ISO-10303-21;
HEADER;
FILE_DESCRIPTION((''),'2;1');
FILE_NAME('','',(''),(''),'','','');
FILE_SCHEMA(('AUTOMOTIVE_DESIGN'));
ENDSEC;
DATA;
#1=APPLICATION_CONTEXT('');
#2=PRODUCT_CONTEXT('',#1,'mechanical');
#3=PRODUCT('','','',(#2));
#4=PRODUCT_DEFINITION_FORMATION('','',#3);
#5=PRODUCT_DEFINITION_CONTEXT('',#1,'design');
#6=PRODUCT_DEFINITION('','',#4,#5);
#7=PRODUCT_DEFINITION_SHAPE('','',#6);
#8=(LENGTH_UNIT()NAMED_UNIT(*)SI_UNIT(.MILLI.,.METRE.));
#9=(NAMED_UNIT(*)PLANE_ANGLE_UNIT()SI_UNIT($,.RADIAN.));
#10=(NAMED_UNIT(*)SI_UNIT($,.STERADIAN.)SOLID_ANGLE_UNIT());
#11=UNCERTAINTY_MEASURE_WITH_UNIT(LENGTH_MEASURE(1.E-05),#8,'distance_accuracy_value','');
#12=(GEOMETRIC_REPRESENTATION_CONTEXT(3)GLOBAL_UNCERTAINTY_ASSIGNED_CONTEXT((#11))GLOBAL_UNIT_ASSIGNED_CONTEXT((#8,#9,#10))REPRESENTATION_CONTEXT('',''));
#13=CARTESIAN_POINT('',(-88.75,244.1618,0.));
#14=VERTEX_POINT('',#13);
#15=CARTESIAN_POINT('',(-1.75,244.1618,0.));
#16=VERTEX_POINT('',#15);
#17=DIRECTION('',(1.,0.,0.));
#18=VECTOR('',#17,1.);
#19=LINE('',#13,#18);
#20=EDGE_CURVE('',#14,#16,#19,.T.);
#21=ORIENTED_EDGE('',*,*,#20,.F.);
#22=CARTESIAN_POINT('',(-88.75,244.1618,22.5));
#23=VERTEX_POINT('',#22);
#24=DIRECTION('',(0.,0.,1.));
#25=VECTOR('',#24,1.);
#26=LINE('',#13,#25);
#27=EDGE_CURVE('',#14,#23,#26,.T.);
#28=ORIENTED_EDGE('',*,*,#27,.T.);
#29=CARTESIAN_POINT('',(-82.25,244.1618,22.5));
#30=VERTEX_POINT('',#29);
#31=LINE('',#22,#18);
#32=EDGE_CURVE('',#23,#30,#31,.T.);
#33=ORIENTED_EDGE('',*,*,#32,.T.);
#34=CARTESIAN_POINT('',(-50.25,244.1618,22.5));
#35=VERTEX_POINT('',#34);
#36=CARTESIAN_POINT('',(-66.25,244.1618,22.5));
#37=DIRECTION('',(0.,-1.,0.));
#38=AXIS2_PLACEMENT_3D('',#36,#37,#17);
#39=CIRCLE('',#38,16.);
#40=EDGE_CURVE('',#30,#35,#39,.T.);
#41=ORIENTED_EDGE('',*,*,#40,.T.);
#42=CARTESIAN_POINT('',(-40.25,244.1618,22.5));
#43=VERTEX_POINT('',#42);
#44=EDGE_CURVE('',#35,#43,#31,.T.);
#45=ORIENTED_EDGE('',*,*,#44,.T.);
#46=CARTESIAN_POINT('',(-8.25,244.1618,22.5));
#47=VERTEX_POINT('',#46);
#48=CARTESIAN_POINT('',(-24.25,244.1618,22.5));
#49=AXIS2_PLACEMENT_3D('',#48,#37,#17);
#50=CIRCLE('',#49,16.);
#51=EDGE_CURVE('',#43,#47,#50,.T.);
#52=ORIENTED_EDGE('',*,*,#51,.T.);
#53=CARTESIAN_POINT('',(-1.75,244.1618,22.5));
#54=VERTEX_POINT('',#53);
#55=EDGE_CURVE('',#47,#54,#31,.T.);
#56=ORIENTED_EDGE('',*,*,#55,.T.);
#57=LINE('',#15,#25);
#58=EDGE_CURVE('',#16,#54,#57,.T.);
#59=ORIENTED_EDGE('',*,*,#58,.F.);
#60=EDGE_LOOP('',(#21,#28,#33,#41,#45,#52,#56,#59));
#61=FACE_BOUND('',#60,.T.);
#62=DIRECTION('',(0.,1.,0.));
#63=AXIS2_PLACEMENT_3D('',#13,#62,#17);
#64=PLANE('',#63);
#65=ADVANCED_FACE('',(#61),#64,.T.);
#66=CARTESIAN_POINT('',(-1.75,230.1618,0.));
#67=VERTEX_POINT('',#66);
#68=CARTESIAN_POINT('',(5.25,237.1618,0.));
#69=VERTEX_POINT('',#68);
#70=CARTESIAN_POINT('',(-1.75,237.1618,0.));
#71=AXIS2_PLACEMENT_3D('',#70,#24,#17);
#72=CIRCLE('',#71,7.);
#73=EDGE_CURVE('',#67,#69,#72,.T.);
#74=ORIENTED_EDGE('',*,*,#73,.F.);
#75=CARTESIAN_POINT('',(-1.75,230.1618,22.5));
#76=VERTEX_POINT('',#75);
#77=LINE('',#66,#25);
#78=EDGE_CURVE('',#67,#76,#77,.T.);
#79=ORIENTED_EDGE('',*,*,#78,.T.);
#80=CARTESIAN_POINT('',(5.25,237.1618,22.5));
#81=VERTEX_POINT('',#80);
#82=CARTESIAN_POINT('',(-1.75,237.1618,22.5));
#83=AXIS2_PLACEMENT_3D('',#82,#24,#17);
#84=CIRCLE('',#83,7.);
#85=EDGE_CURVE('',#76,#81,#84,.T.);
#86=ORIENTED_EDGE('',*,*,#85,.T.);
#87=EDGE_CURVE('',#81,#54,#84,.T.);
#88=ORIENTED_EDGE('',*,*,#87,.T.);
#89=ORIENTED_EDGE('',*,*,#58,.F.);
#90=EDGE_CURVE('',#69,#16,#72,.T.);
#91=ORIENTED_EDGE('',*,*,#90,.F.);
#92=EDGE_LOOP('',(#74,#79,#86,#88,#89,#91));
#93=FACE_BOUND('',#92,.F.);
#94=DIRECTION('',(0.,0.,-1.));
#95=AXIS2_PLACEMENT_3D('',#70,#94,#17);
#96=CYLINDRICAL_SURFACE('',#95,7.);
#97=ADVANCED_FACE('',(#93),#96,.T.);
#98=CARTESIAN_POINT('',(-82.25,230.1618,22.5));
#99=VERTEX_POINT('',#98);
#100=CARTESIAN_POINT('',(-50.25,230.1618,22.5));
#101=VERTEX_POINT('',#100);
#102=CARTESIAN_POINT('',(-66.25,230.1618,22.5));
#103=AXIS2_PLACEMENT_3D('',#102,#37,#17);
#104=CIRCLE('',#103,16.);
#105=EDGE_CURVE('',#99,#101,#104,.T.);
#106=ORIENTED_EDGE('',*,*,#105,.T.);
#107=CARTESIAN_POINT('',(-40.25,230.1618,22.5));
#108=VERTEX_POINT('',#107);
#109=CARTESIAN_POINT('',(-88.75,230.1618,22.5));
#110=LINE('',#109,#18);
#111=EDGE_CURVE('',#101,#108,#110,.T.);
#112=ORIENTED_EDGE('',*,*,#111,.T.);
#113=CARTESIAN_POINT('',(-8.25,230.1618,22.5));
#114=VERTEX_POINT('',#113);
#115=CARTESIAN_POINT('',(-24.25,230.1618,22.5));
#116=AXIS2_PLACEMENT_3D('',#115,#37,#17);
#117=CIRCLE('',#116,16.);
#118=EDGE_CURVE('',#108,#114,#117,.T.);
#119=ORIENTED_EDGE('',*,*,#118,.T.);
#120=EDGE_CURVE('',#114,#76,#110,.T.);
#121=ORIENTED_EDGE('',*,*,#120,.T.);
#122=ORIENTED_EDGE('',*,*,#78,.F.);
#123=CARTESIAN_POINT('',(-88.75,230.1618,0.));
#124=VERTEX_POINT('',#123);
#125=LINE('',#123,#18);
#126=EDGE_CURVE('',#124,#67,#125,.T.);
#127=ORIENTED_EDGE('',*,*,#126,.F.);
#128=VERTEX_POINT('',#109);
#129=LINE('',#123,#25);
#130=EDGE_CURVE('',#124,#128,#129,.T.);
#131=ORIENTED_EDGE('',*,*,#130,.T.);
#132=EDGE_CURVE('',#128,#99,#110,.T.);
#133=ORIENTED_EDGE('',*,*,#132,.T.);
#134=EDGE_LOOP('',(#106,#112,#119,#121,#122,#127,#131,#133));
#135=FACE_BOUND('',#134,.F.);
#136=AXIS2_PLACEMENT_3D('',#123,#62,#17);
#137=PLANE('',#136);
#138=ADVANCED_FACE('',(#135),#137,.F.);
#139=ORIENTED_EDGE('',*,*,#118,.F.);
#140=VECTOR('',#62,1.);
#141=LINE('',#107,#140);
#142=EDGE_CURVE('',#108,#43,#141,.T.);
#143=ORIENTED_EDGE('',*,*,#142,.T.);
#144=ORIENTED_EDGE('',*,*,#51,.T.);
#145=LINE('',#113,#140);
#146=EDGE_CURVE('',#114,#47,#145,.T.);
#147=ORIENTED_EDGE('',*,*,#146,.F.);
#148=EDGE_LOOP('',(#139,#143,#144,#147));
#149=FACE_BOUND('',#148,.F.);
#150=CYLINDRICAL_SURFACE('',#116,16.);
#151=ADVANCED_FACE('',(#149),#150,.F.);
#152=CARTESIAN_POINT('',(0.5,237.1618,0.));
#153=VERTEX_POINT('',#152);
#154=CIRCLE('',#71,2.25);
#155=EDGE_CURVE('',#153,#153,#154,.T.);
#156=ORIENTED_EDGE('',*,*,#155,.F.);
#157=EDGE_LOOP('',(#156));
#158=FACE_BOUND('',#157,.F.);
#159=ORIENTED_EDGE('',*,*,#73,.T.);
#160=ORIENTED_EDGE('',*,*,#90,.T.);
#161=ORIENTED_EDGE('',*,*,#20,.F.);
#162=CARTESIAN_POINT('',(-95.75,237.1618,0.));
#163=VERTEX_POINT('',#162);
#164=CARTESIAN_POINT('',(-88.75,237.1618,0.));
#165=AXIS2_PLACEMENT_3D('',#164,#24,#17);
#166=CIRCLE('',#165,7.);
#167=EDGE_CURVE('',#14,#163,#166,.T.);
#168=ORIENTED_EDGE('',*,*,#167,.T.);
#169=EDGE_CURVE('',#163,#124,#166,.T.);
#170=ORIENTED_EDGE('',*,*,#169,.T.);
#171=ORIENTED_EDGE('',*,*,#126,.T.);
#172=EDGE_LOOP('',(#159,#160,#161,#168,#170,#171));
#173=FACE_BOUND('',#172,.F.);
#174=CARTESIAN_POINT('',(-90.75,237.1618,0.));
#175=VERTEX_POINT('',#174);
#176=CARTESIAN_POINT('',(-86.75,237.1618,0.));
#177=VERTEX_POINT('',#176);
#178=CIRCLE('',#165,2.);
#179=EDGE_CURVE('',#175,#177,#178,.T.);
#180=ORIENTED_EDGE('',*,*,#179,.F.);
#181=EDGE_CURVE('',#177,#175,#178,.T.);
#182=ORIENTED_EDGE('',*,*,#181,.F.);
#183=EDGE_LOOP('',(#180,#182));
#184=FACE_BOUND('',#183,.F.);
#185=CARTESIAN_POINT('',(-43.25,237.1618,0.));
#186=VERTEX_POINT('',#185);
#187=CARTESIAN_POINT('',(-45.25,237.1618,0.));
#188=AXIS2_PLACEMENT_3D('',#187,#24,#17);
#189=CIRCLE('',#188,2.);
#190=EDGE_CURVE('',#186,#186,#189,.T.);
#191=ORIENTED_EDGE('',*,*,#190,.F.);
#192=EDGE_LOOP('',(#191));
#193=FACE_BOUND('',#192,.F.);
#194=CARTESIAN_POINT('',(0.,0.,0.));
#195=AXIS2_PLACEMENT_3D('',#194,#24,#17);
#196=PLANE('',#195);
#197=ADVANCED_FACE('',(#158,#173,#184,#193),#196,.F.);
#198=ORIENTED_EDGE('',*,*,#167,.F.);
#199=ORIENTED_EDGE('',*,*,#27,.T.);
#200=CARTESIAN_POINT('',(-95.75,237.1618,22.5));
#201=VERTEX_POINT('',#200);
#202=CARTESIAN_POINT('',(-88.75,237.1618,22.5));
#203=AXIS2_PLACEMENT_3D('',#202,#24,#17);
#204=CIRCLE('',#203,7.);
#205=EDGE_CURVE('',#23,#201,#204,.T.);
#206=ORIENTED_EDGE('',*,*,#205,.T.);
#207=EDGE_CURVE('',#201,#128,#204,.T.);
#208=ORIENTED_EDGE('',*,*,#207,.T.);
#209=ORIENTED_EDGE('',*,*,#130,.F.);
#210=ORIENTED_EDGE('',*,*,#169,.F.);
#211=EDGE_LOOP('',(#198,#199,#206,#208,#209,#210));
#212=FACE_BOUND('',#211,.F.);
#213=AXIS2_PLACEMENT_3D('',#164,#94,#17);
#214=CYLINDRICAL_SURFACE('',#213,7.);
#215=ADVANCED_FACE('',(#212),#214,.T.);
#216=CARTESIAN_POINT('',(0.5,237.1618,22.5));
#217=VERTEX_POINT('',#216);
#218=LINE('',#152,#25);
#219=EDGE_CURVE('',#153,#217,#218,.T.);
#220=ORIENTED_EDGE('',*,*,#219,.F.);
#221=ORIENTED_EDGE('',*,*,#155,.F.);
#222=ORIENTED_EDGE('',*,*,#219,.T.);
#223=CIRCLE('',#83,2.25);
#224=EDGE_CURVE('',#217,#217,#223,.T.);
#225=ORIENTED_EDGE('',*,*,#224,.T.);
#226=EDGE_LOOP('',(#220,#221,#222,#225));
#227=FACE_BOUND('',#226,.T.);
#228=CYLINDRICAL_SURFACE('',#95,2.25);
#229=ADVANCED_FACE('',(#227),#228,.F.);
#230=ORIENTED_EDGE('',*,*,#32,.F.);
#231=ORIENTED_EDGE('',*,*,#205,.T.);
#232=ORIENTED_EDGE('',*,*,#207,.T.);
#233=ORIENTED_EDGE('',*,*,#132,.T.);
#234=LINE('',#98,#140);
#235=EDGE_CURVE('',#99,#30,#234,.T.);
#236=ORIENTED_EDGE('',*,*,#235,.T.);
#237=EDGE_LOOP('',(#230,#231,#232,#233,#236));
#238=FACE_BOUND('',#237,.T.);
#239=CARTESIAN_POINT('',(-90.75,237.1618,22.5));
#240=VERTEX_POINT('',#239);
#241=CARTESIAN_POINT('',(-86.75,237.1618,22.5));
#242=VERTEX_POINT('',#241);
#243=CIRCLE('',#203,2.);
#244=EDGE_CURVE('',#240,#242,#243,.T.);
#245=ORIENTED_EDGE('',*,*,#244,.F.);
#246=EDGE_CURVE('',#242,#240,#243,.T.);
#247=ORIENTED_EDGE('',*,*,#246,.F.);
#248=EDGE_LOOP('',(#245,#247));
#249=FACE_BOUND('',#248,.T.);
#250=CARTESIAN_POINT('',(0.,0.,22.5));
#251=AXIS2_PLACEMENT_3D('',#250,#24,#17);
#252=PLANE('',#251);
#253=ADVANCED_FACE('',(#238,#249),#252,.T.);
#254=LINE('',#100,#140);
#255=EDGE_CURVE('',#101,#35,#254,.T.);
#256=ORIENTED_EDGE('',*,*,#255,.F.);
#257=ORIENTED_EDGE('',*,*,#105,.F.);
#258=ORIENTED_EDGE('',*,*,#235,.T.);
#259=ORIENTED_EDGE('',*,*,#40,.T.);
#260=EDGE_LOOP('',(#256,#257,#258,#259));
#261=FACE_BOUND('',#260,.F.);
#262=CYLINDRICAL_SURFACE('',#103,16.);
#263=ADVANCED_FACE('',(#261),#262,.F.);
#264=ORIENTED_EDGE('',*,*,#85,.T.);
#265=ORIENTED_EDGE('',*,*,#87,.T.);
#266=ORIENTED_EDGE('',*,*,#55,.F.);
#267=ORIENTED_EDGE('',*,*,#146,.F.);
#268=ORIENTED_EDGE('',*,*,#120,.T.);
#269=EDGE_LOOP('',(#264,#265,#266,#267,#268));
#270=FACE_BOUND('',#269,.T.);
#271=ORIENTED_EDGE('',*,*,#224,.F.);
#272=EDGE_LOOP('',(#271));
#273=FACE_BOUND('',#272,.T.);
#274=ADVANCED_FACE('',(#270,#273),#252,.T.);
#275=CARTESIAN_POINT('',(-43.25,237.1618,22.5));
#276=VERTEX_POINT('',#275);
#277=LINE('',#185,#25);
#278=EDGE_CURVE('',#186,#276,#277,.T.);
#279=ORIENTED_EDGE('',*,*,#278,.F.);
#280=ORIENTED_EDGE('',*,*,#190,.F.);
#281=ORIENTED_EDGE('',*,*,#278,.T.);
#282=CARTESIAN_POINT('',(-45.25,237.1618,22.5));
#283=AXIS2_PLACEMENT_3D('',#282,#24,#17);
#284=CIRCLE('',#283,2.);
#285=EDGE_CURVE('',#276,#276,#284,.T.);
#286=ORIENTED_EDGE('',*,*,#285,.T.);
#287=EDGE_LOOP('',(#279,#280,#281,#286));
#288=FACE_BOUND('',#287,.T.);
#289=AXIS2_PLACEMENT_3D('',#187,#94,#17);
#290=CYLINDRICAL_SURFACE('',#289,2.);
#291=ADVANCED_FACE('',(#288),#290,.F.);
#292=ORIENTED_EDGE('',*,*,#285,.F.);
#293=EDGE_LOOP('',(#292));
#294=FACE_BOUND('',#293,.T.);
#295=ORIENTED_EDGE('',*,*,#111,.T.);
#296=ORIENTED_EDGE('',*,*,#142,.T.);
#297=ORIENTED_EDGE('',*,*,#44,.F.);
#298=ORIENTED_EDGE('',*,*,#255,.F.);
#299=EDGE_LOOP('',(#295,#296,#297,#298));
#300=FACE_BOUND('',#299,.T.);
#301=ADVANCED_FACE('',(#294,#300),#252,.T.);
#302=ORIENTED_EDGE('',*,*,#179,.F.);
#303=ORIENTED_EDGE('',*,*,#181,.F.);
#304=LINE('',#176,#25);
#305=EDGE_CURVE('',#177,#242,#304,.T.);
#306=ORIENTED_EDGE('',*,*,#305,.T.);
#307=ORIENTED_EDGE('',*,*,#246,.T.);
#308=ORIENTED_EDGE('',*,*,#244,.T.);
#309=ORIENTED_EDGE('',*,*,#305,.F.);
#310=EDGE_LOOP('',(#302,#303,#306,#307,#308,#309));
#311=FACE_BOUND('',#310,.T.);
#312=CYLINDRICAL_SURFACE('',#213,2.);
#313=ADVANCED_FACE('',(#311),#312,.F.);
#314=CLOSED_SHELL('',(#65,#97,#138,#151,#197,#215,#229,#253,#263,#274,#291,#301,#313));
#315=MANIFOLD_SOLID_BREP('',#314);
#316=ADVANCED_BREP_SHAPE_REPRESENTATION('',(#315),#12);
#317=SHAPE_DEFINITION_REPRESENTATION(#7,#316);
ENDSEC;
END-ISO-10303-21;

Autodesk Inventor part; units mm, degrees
ref_plane "YZ Plane" through (0, 0, 0) normal (1, 0, 0) x (0, 1, 0)
ref_plane "XZ Plane" through (0, 0, 0) normal (0, 1, 0) x (-1, 0, 0)
sketch "Sketch1" plane through (0, 0, 0) normal (0, 0, 1) x (1, 0, 0)
  circle A0 centre (-88.75, 237.1618) radius 2 projected
  circle A1 centre (-45.25, 302.7734) radius 2 projected
  circle A2 centre (-88.75, 302.7734) radius 2 projected
  circle A3 centre (-45.25, 237.1618) radius 2 projected
  circle A4 centre (-46.75, 361.06) radius 2 projected
  circle A5 centre (-40.75, 400) radius 23.3333 projected
  line L0 (-53.25, 186.7791) -> (-53.25, -39) projected
  arc A6 (-53.25, -39) -> (-46.25, -46) centre (-46.25, -39) ccw projected
  line L1 (1.25, -46) -> (-46.25, -46) projected
  arc A7 (1.25, -46) -> (8.9167, 45.3566) centre (1.25, 0) ccw projected
  arc A8 (7.25, 47.3286) -> (8.9167, 45.3566) centre (9.25, 47.3286) ccw projected
  line L2 (7.25, 400) -> (7.25, 47.3286) projected
  arc A9 (7.25, 400) -> (-27.0387, 446) centre (-40.75, 400) ccw projected
  line L3 (-85.75, 446) -> (-27.0387, 446) projected
  circle A10 centre (-85.75, 438.7) radius 2 projected
  circle A11 centre (-85.75, 361.06) radius 2 projected
  circle A12 centre (-46.75, 438.7) radius 2 projected
  circle A13 centre (10.9583, -29.879) radius 2.1 projected
  circle A14 centre (32.6667, 0) radius 2.1 projected
  circle A15 centre (-24.1666, -18.4663) radius 2.1 projected
  circle A16 centre (10.9583, 29.879) radius 2.1 projected
  circle A17 centre (-24.1666, 18.4663) radius 2.1 projected
  circle A18 centre (1.25, 0) radius 23.3333 projected
  circle A19 centre (-1.75, 302.7734) radius 2.25 projected
  circle A20 centre (-1.75, 237.1618) radius 2.25 projected
  circle A21 centre (-43.75, 127.6736) radius 2 projected
  circle A22 centre (-4.75, -38.7) radius 2 projected
  circle A23 centre (-4.75, 38.94) radius 2 projected
  circle A24 centre (-4.75, 127.6736) radius 2 projected
  circle A25 centre (-43.75, -38.7) radius 2 projected
  circle A26 centre (-43.75, 38.94) radius 2 projected
  line L4 (-88.75, 237.1618) -> (-95.75, 237.1618)
  line L5 (-1.75, 237.1618) -> (5.25, 237.1618)
  circle A27 centre (-88.75, 237.1618) radius 7
  circle A28 centre (-1.75, 237.1618) radius 7
  line L6 (-88.75, 230.1618) -> (-1.75, 230.1618)
  line L7 (-88.75, 244.1618) -> (-1.75, 244.1618)
  circle A29 centre (-9.3333, 400) radius 2.1 projected
  circle A30 centre (-31.0417, 429.879) radius 2.1 projected
  circle A31 centre (-31.0417, 370.121) radius 2.1 projected
  circle A32 centre (-66.1666, 418.4663) radius 2.1 projected
  circle A33 centre (-66.1666, 381.5337) radius 2.1 projected
  arc A34 (-95.75, 226.7791) -> (-85.75, 216.7791) centre (-85.75, 226.7791) ccw projected
  line L8 (-85.75, 216.7791) -> (-83.25, 216.7791) projected
  arc A35 (-53.25, 186.7791) -> (-83.25, 216.7791) centre (-83.25, 186.7791) ccw projected
  arc A36 (-85.75, 446) -> (-95.75, 436) centre (-85.75, 436) ccw projected
  line L9 (-95.75, 226.7791) -> (-95.75, 436) projected
  point P0 (0, 0)
  dimension "d0" = 7
  dimension "d1" = 7
ref_plane "Work Plane1" through (-48.25, 120.3736, 22.5) normal (0, 0, -1) x (0, 1, 0)
extrude "Extrusion1" add sketch "Sketch1" along normal up to surface (22.5 mm away) contours A27 | L7 A28 L6 A27 | A28
sketch "Sketch2" plane through (-88.75, 230.1618, 0) normal (0, -1, 0) x (1, 0, 0)
  circle A0 centre (22.5, 22.5) radius 16 projected
  circle A1 centre (64.5, 22.5) radius 16 projected
  line L0 (0, 22.5) -> (87, 22.5) projected
  line L1 (0, 0) -> (0, 22.5) projected
  line L2 (0, 0) -> (87, 0) projected
  line L3 (87, 0) -> (87, 22.5) projected
  point P0 (88.75, 0)
  point P1 (80.5, 22.5)
  point P2 (48.5, 22.5)
  point P3 (38.5, 22.5)
  point P4 (6.5, 22.5)
extrude "Extrusion2" cut sketch "Sketch2" against normal through all contours A0 L0 | L0 A1 picked at (22.9879, 15.9292) picked at (60.5079, 16.4106)
properties part number "Uchwyt_silnika_podwojny"
